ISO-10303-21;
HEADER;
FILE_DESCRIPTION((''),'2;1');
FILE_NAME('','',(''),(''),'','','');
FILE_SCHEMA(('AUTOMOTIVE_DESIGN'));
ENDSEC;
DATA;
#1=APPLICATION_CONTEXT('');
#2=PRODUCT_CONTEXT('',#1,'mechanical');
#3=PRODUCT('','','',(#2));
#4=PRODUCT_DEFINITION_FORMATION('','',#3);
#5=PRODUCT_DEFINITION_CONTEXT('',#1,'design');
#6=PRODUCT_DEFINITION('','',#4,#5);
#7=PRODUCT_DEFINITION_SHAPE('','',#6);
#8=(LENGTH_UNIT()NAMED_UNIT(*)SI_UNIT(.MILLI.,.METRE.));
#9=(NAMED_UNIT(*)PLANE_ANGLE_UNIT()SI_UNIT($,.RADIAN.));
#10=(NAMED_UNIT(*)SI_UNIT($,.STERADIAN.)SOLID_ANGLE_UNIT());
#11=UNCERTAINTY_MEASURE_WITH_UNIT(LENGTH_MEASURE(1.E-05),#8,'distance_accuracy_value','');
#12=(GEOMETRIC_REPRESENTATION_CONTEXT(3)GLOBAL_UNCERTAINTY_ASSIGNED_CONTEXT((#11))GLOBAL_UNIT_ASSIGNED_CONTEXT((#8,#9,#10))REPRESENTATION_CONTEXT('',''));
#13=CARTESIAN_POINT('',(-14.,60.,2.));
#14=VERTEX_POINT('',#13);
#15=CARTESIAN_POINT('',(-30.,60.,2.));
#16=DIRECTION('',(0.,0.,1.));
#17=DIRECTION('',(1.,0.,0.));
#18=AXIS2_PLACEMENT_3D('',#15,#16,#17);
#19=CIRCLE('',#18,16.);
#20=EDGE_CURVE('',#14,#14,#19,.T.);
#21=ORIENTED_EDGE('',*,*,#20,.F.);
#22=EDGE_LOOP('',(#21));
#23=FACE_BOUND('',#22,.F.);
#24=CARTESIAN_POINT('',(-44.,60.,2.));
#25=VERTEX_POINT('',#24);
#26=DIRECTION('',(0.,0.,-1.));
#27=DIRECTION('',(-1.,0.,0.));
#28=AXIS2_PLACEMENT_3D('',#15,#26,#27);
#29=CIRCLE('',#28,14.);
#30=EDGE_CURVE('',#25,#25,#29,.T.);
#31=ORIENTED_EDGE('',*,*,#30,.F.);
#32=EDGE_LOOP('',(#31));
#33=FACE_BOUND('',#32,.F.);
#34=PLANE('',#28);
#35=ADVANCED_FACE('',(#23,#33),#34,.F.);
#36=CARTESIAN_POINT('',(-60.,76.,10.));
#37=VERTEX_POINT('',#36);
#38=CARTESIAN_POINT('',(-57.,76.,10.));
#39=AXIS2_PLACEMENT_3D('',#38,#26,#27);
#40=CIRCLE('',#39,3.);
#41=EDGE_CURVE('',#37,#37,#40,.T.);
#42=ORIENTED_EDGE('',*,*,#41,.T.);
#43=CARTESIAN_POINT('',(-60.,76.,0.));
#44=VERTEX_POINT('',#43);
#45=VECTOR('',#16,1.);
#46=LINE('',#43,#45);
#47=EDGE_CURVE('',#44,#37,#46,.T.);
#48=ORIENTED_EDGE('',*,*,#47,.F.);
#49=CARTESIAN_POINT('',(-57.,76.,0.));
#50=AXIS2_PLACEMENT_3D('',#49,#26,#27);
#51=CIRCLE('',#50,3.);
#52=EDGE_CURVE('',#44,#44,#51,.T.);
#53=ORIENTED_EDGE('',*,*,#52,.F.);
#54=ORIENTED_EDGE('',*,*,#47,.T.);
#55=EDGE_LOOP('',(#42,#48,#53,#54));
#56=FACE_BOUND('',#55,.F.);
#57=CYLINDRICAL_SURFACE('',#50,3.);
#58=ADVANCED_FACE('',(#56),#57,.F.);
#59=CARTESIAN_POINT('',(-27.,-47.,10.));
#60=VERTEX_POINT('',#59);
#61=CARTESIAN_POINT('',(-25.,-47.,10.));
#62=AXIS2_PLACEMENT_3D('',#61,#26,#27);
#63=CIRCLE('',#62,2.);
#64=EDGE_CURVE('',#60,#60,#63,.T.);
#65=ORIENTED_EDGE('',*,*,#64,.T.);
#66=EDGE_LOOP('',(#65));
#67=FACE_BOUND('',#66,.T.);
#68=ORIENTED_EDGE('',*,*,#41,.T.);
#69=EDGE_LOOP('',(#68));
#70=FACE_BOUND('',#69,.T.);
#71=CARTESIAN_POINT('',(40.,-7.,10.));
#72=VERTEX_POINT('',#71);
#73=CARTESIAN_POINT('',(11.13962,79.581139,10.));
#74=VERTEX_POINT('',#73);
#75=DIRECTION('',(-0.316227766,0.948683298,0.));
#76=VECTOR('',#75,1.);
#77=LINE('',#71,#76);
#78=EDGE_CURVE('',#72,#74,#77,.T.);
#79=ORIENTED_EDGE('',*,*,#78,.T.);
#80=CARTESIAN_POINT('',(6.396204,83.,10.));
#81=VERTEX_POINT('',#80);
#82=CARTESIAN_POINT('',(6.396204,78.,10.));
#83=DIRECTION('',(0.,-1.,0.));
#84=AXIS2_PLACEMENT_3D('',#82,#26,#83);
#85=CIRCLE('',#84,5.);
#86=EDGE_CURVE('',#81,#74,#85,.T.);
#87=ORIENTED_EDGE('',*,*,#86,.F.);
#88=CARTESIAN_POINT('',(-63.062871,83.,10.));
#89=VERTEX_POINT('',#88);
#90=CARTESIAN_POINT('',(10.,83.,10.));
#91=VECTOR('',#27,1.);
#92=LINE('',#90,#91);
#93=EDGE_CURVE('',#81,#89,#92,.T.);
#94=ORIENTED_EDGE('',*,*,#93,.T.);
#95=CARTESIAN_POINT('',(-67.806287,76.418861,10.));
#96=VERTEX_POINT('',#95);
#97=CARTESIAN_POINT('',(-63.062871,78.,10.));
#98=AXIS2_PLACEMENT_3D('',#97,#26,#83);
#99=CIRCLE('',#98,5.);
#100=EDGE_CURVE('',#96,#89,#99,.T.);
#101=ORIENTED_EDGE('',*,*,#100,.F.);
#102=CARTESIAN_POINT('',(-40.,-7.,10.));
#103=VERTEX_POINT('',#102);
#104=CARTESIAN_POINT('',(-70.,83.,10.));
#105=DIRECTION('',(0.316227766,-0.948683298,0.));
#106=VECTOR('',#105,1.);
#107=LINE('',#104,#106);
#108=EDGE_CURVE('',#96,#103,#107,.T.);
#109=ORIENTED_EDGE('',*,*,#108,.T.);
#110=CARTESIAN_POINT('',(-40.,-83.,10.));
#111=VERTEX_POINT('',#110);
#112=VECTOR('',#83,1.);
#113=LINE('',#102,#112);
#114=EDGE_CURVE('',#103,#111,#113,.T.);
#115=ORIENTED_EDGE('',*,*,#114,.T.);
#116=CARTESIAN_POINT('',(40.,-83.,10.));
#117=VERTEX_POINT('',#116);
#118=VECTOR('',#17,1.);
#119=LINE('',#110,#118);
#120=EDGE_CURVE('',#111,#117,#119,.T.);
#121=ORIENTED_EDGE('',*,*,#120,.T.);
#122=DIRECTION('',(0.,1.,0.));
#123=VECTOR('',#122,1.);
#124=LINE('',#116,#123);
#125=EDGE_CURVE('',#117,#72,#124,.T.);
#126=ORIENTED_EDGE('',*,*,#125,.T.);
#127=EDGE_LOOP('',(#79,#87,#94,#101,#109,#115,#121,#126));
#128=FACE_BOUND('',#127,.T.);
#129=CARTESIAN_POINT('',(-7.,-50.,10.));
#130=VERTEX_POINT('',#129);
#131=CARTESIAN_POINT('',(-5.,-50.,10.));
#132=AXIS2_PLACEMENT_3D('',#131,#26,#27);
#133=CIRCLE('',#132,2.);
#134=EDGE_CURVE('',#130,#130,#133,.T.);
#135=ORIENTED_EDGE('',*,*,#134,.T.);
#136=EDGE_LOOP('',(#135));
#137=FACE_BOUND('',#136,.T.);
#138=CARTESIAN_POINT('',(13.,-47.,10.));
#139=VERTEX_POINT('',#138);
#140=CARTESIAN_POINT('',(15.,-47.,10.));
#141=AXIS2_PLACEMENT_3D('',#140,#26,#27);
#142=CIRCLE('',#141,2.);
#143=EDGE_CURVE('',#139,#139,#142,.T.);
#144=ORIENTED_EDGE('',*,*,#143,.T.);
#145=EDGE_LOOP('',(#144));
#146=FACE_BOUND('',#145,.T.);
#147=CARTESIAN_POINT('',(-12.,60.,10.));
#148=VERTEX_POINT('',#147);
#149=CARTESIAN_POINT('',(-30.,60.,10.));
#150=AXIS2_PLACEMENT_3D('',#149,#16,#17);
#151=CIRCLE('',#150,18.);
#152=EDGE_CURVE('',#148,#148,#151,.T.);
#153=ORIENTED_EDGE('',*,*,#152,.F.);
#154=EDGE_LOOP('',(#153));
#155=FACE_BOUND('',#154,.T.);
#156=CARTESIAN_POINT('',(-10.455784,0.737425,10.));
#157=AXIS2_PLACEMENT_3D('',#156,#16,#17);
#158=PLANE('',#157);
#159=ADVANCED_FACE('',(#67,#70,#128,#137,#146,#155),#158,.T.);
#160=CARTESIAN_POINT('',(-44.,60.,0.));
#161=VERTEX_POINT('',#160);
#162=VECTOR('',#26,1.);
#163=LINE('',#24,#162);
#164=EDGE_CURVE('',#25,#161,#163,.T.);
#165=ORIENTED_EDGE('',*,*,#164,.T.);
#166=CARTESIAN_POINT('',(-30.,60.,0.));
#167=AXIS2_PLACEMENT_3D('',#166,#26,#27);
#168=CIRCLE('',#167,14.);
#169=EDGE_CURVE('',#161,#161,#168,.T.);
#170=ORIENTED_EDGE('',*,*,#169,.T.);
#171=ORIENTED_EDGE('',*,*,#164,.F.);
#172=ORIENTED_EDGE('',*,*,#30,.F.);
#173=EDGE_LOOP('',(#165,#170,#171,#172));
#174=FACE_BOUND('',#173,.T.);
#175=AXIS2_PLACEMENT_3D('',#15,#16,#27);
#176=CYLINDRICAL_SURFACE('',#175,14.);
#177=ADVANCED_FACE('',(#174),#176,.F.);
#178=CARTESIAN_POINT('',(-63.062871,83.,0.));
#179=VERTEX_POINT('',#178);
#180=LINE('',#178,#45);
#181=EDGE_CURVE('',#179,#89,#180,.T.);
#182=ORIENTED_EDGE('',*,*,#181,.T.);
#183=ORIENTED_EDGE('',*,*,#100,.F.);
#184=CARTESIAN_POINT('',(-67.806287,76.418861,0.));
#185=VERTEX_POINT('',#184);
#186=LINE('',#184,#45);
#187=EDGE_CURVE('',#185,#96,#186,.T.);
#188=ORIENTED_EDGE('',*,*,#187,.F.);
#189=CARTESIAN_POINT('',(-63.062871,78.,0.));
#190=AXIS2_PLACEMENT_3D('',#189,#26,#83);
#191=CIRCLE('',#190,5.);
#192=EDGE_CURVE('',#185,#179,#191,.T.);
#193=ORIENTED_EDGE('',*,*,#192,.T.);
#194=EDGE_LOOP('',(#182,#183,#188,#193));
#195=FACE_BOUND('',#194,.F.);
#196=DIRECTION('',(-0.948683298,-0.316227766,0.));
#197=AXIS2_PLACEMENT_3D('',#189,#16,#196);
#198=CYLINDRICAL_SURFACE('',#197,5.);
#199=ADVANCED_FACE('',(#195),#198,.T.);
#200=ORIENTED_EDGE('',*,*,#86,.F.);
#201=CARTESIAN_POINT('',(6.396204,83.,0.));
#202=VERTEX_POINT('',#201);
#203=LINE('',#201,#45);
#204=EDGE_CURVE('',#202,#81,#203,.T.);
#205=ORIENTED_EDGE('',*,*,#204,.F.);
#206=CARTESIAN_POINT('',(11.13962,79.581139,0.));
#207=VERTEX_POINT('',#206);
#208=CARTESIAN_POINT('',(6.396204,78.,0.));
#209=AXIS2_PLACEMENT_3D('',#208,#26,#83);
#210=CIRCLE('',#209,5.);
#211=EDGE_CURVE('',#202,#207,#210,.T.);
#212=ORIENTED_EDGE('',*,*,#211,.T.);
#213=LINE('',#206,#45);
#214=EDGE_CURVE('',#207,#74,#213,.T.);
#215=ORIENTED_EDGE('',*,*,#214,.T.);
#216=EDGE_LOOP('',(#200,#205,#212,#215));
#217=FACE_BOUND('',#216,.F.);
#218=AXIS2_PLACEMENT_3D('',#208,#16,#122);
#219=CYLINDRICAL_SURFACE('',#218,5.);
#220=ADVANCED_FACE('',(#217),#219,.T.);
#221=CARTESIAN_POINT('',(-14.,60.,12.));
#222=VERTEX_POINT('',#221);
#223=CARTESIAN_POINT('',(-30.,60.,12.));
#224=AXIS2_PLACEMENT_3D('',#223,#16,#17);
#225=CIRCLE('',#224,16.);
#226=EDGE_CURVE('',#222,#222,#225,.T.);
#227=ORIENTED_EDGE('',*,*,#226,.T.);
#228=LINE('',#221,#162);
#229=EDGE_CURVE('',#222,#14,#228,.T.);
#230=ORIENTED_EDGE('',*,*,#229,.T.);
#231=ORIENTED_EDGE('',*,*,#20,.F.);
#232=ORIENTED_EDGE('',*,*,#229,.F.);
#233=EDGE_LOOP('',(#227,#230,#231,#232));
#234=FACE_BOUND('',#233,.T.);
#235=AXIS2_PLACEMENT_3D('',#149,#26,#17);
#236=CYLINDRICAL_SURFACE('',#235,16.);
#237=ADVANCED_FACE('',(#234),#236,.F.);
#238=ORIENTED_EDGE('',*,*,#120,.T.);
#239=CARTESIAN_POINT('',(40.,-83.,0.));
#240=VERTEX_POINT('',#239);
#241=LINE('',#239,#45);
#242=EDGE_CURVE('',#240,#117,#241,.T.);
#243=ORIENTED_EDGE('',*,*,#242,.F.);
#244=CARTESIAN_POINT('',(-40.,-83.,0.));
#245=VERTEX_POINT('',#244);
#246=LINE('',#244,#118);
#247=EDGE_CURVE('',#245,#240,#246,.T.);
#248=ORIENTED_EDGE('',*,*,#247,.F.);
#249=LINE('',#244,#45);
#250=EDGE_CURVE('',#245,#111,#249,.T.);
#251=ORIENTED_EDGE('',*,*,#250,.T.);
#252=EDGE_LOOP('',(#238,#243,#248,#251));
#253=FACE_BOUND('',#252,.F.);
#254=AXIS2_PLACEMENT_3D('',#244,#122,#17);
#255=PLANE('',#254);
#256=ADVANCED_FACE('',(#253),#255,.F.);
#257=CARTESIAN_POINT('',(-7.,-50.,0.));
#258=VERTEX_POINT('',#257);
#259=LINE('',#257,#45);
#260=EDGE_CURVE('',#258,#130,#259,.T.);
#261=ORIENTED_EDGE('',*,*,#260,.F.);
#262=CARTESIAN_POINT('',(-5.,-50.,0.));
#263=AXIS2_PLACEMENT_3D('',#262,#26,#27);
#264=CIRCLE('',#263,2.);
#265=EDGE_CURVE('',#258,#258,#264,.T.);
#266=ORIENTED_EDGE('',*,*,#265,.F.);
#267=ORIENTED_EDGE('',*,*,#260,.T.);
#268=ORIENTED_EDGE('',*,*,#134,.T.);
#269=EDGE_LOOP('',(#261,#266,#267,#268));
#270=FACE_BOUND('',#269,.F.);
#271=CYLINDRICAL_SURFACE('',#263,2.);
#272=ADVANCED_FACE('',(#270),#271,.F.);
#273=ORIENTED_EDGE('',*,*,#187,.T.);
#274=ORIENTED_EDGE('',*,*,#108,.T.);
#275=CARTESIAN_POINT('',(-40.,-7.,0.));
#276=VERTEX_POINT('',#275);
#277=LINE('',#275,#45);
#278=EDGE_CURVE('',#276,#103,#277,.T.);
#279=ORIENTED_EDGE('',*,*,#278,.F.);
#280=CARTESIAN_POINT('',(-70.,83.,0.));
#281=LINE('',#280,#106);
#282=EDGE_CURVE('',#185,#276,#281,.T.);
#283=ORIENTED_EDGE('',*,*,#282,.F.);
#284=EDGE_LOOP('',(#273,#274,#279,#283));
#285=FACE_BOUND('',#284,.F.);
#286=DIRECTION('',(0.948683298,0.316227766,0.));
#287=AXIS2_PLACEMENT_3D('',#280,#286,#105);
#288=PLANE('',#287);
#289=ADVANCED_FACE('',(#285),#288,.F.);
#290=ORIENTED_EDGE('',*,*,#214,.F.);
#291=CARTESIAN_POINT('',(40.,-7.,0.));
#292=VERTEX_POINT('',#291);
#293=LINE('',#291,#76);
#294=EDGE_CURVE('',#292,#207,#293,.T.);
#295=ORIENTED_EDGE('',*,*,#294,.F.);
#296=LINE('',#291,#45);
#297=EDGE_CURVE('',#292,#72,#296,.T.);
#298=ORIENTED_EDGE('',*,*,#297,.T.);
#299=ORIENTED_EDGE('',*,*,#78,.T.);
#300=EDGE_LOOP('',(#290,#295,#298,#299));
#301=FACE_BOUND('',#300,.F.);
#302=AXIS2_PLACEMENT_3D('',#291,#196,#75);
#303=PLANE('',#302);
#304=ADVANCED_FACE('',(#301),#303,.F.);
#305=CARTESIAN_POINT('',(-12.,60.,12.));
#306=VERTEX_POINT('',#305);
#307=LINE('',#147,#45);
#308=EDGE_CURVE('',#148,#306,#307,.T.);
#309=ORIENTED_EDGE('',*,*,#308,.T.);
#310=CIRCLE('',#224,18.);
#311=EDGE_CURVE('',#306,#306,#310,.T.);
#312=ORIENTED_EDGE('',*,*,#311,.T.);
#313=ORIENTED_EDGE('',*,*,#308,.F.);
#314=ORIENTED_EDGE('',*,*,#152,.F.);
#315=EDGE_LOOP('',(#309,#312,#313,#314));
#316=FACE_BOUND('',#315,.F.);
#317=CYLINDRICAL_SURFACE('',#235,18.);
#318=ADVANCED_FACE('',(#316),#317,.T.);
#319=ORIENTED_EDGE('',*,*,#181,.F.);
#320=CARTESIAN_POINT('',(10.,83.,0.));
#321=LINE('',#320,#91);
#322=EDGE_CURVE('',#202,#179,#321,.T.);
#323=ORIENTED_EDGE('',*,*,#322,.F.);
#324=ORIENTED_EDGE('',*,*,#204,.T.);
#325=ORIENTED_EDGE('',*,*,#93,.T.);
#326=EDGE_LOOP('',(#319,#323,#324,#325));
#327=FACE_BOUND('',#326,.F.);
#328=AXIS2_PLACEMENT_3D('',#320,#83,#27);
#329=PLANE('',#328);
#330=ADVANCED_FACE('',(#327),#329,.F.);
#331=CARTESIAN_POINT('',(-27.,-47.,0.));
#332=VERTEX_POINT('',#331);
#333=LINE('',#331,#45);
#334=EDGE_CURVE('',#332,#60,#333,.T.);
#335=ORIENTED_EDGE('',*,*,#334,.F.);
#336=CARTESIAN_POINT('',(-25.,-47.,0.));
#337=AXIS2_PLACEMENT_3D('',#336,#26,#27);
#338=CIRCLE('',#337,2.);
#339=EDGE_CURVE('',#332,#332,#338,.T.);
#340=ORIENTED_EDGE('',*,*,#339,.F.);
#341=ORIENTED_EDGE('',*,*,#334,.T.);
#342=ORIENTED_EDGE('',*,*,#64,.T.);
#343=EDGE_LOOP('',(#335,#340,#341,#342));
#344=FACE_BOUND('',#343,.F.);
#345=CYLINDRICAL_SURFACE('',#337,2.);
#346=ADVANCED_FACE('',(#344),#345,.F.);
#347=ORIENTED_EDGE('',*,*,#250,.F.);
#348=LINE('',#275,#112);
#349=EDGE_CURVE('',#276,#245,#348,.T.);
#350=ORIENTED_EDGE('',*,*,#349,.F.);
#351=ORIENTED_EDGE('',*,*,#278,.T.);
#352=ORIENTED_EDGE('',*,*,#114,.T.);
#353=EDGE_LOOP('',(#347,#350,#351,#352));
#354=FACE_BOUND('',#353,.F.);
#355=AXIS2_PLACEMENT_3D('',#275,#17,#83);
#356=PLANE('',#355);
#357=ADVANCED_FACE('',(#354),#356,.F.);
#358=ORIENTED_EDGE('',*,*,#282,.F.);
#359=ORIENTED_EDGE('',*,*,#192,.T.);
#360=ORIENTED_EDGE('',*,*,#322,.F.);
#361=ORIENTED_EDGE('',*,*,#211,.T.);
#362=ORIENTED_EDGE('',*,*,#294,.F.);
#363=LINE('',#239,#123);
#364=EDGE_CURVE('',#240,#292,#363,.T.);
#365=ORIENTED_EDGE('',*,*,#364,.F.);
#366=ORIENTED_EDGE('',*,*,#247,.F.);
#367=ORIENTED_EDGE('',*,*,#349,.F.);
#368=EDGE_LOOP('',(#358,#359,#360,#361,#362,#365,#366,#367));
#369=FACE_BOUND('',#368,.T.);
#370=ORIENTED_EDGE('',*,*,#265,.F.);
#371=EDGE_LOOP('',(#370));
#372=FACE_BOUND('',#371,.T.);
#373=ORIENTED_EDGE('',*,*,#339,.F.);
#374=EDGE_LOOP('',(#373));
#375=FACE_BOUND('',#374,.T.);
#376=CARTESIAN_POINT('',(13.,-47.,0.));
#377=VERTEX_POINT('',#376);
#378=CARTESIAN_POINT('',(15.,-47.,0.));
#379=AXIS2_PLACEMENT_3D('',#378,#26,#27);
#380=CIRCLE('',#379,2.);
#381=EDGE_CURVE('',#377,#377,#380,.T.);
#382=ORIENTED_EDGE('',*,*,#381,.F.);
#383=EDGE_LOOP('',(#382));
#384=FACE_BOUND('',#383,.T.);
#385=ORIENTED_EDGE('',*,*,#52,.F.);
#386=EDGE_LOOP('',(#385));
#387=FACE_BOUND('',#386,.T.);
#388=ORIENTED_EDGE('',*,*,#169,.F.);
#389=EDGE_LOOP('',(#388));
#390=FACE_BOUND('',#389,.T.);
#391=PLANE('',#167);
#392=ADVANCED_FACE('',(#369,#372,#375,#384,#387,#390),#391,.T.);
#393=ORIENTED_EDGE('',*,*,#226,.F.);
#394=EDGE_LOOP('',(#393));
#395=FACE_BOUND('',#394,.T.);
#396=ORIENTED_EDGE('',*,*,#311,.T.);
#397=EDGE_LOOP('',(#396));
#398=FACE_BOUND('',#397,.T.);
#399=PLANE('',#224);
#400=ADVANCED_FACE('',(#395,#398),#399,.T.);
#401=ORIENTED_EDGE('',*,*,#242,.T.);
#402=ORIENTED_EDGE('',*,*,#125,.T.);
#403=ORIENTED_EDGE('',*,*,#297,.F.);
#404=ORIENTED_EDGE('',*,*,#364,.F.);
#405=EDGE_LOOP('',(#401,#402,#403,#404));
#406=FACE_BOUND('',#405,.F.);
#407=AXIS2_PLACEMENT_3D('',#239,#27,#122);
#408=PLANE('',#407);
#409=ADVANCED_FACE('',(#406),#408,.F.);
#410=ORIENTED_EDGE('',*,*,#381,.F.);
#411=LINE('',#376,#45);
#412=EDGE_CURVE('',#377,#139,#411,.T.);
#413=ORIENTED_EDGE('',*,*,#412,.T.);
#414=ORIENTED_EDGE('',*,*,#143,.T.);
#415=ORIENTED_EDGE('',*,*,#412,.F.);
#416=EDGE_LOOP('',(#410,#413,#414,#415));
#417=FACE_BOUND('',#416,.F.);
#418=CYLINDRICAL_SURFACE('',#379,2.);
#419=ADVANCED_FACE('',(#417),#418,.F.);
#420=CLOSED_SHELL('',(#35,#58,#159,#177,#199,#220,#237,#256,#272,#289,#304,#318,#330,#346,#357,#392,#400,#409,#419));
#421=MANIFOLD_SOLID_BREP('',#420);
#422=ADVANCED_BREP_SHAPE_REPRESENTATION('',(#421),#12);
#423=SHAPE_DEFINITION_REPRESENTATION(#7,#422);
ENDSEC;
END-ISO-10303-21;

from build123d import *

# Parameters (mm, degrees)
SKETCH1_R           = 16
BOSS_EXTRUDE1_DEPTH = 10
SKETCH2_R           = 18
SKETCH2_R_2         = 16
BOSS_EXTRUDE2_DEPTH = 2
SKETCH3_R           = 2
CUT_EXTRUDE1_DEPTH  = 10
SKETCH4_R           = 2
CUT_EXTRUDE2_DEPTH  = 10
CUT_EXTRUDE3_REACH  = 14
SKETCH5_R           = 3
FILLET1_R           = 5
BOSS_EXTRUDE4_START = -2
SKETCH8_R           = 16
SKETCH8_R_2         = 14
BOSS_EXTRUDE4_DEPTH = 2


with BuildPart() as part:
    # Sketch1 → Boss-Extrude1 (new body)
    with BuildSketch(Plane.XY):
        Polygon((-40, 83), (-70, 83), (-40, -7), (-40, -83), (40, -83), (40, -7), (10, 83), align=None)
        with Locations((-30, 60)):
            Circle(SKETCH1_R, mode=Mode.SUBTRACT)
    extrude(amount=BOSS_EXTRUDE1_DEPTH)

    # Sketch2 → Boss-Extrude2 (add)
    with BuildSketch(Plane.XY.offset(10)):
        with Locations((-30, 60)):
            Circle(SKETCH2_R)
        with Locations((-30, 60)):
            Circle(SKETCH2_R_2, mode=Mode.SUBTRACT)
    extrude(amount=BOSS_EXTRUDE2_DEPTH)

    # Sketch3 → Cut-Extrude1 (cut)
    with BuildSketch(Plane(origin=(0, 0, 0), x_dir=(-1, 0, 0), z_dir=(0, 0, -1))):
        with Locations((-15, -47)):
            Circle(SKETCH3_R)
        with Locations((25, -47)):
            Circle(SKETCH3_R)
    extrude(amount=-CUT_EXTRUDE1_DEPTH, mode=Mode.SUBTRACT)

    # Sketch4 → Cut-Extrude2 (cut)
    with BuildSketch(Plane(origin=(0, 0, 0), x_dir=(-1, 0, 0), z_dir=(0, 0, -1))):
        with Locations((5, -50)):
            Circle(SKETCH4_R)
    extrude(amount=-CUT_EXTRUDE2_DEPTH, mode=Mode.SUBTRACT)

    # Sketch5 → Cut-Extrude3 (cut, up to next)
    with BuildSketch(Plane(origin=(0, 0, 0), x_dir=(-1, 0, 0), z_dir=(0, 0, -1)), mode=Mode.PRIVATE) as cut_extrude3_sk1:
        with Locations((57, 76)):
            Circle(SKETCH5_R)
    cut_extrude3_tool1 = extrude(cut_extrude3_sk1.sketch, amount=-CUT_EXTRUDE3_REACH, mode=Mode.PRIVATE) & part.part
    add(cut_extrude3_tool1.solids().sort_by_distance((-57, 76, 0))[0], mode=Mode.SUBTRACT)

    # Fillet1
    fillet1_edges = [part.edges().sort_by_distance(p)[0] for p in [
        (-70, 83, 5),
        (10, 83, 5),
    ]]
    fillet(fillet1_edges, radius=FILLET1_R)

    # Sketch8 → Boss-Extrude4 (add)
    with BuildSketch(Plane(origin=(0, 0, 0), x_dir=(-1, 0, 0), z_dir=(0, 0, -1)).offset(BOSS_EXTRUDE4_START)):
        with Locations((30, 60)):
            Circle(SKETCH8_R)
        with Locations((30, 60)):
            Circle(SKETCH8_R_2, mode=Mode.SUBTRACT)
    extrude(amount=BOSS_EXTRUDE4_DEPTH)


solid = part.part
